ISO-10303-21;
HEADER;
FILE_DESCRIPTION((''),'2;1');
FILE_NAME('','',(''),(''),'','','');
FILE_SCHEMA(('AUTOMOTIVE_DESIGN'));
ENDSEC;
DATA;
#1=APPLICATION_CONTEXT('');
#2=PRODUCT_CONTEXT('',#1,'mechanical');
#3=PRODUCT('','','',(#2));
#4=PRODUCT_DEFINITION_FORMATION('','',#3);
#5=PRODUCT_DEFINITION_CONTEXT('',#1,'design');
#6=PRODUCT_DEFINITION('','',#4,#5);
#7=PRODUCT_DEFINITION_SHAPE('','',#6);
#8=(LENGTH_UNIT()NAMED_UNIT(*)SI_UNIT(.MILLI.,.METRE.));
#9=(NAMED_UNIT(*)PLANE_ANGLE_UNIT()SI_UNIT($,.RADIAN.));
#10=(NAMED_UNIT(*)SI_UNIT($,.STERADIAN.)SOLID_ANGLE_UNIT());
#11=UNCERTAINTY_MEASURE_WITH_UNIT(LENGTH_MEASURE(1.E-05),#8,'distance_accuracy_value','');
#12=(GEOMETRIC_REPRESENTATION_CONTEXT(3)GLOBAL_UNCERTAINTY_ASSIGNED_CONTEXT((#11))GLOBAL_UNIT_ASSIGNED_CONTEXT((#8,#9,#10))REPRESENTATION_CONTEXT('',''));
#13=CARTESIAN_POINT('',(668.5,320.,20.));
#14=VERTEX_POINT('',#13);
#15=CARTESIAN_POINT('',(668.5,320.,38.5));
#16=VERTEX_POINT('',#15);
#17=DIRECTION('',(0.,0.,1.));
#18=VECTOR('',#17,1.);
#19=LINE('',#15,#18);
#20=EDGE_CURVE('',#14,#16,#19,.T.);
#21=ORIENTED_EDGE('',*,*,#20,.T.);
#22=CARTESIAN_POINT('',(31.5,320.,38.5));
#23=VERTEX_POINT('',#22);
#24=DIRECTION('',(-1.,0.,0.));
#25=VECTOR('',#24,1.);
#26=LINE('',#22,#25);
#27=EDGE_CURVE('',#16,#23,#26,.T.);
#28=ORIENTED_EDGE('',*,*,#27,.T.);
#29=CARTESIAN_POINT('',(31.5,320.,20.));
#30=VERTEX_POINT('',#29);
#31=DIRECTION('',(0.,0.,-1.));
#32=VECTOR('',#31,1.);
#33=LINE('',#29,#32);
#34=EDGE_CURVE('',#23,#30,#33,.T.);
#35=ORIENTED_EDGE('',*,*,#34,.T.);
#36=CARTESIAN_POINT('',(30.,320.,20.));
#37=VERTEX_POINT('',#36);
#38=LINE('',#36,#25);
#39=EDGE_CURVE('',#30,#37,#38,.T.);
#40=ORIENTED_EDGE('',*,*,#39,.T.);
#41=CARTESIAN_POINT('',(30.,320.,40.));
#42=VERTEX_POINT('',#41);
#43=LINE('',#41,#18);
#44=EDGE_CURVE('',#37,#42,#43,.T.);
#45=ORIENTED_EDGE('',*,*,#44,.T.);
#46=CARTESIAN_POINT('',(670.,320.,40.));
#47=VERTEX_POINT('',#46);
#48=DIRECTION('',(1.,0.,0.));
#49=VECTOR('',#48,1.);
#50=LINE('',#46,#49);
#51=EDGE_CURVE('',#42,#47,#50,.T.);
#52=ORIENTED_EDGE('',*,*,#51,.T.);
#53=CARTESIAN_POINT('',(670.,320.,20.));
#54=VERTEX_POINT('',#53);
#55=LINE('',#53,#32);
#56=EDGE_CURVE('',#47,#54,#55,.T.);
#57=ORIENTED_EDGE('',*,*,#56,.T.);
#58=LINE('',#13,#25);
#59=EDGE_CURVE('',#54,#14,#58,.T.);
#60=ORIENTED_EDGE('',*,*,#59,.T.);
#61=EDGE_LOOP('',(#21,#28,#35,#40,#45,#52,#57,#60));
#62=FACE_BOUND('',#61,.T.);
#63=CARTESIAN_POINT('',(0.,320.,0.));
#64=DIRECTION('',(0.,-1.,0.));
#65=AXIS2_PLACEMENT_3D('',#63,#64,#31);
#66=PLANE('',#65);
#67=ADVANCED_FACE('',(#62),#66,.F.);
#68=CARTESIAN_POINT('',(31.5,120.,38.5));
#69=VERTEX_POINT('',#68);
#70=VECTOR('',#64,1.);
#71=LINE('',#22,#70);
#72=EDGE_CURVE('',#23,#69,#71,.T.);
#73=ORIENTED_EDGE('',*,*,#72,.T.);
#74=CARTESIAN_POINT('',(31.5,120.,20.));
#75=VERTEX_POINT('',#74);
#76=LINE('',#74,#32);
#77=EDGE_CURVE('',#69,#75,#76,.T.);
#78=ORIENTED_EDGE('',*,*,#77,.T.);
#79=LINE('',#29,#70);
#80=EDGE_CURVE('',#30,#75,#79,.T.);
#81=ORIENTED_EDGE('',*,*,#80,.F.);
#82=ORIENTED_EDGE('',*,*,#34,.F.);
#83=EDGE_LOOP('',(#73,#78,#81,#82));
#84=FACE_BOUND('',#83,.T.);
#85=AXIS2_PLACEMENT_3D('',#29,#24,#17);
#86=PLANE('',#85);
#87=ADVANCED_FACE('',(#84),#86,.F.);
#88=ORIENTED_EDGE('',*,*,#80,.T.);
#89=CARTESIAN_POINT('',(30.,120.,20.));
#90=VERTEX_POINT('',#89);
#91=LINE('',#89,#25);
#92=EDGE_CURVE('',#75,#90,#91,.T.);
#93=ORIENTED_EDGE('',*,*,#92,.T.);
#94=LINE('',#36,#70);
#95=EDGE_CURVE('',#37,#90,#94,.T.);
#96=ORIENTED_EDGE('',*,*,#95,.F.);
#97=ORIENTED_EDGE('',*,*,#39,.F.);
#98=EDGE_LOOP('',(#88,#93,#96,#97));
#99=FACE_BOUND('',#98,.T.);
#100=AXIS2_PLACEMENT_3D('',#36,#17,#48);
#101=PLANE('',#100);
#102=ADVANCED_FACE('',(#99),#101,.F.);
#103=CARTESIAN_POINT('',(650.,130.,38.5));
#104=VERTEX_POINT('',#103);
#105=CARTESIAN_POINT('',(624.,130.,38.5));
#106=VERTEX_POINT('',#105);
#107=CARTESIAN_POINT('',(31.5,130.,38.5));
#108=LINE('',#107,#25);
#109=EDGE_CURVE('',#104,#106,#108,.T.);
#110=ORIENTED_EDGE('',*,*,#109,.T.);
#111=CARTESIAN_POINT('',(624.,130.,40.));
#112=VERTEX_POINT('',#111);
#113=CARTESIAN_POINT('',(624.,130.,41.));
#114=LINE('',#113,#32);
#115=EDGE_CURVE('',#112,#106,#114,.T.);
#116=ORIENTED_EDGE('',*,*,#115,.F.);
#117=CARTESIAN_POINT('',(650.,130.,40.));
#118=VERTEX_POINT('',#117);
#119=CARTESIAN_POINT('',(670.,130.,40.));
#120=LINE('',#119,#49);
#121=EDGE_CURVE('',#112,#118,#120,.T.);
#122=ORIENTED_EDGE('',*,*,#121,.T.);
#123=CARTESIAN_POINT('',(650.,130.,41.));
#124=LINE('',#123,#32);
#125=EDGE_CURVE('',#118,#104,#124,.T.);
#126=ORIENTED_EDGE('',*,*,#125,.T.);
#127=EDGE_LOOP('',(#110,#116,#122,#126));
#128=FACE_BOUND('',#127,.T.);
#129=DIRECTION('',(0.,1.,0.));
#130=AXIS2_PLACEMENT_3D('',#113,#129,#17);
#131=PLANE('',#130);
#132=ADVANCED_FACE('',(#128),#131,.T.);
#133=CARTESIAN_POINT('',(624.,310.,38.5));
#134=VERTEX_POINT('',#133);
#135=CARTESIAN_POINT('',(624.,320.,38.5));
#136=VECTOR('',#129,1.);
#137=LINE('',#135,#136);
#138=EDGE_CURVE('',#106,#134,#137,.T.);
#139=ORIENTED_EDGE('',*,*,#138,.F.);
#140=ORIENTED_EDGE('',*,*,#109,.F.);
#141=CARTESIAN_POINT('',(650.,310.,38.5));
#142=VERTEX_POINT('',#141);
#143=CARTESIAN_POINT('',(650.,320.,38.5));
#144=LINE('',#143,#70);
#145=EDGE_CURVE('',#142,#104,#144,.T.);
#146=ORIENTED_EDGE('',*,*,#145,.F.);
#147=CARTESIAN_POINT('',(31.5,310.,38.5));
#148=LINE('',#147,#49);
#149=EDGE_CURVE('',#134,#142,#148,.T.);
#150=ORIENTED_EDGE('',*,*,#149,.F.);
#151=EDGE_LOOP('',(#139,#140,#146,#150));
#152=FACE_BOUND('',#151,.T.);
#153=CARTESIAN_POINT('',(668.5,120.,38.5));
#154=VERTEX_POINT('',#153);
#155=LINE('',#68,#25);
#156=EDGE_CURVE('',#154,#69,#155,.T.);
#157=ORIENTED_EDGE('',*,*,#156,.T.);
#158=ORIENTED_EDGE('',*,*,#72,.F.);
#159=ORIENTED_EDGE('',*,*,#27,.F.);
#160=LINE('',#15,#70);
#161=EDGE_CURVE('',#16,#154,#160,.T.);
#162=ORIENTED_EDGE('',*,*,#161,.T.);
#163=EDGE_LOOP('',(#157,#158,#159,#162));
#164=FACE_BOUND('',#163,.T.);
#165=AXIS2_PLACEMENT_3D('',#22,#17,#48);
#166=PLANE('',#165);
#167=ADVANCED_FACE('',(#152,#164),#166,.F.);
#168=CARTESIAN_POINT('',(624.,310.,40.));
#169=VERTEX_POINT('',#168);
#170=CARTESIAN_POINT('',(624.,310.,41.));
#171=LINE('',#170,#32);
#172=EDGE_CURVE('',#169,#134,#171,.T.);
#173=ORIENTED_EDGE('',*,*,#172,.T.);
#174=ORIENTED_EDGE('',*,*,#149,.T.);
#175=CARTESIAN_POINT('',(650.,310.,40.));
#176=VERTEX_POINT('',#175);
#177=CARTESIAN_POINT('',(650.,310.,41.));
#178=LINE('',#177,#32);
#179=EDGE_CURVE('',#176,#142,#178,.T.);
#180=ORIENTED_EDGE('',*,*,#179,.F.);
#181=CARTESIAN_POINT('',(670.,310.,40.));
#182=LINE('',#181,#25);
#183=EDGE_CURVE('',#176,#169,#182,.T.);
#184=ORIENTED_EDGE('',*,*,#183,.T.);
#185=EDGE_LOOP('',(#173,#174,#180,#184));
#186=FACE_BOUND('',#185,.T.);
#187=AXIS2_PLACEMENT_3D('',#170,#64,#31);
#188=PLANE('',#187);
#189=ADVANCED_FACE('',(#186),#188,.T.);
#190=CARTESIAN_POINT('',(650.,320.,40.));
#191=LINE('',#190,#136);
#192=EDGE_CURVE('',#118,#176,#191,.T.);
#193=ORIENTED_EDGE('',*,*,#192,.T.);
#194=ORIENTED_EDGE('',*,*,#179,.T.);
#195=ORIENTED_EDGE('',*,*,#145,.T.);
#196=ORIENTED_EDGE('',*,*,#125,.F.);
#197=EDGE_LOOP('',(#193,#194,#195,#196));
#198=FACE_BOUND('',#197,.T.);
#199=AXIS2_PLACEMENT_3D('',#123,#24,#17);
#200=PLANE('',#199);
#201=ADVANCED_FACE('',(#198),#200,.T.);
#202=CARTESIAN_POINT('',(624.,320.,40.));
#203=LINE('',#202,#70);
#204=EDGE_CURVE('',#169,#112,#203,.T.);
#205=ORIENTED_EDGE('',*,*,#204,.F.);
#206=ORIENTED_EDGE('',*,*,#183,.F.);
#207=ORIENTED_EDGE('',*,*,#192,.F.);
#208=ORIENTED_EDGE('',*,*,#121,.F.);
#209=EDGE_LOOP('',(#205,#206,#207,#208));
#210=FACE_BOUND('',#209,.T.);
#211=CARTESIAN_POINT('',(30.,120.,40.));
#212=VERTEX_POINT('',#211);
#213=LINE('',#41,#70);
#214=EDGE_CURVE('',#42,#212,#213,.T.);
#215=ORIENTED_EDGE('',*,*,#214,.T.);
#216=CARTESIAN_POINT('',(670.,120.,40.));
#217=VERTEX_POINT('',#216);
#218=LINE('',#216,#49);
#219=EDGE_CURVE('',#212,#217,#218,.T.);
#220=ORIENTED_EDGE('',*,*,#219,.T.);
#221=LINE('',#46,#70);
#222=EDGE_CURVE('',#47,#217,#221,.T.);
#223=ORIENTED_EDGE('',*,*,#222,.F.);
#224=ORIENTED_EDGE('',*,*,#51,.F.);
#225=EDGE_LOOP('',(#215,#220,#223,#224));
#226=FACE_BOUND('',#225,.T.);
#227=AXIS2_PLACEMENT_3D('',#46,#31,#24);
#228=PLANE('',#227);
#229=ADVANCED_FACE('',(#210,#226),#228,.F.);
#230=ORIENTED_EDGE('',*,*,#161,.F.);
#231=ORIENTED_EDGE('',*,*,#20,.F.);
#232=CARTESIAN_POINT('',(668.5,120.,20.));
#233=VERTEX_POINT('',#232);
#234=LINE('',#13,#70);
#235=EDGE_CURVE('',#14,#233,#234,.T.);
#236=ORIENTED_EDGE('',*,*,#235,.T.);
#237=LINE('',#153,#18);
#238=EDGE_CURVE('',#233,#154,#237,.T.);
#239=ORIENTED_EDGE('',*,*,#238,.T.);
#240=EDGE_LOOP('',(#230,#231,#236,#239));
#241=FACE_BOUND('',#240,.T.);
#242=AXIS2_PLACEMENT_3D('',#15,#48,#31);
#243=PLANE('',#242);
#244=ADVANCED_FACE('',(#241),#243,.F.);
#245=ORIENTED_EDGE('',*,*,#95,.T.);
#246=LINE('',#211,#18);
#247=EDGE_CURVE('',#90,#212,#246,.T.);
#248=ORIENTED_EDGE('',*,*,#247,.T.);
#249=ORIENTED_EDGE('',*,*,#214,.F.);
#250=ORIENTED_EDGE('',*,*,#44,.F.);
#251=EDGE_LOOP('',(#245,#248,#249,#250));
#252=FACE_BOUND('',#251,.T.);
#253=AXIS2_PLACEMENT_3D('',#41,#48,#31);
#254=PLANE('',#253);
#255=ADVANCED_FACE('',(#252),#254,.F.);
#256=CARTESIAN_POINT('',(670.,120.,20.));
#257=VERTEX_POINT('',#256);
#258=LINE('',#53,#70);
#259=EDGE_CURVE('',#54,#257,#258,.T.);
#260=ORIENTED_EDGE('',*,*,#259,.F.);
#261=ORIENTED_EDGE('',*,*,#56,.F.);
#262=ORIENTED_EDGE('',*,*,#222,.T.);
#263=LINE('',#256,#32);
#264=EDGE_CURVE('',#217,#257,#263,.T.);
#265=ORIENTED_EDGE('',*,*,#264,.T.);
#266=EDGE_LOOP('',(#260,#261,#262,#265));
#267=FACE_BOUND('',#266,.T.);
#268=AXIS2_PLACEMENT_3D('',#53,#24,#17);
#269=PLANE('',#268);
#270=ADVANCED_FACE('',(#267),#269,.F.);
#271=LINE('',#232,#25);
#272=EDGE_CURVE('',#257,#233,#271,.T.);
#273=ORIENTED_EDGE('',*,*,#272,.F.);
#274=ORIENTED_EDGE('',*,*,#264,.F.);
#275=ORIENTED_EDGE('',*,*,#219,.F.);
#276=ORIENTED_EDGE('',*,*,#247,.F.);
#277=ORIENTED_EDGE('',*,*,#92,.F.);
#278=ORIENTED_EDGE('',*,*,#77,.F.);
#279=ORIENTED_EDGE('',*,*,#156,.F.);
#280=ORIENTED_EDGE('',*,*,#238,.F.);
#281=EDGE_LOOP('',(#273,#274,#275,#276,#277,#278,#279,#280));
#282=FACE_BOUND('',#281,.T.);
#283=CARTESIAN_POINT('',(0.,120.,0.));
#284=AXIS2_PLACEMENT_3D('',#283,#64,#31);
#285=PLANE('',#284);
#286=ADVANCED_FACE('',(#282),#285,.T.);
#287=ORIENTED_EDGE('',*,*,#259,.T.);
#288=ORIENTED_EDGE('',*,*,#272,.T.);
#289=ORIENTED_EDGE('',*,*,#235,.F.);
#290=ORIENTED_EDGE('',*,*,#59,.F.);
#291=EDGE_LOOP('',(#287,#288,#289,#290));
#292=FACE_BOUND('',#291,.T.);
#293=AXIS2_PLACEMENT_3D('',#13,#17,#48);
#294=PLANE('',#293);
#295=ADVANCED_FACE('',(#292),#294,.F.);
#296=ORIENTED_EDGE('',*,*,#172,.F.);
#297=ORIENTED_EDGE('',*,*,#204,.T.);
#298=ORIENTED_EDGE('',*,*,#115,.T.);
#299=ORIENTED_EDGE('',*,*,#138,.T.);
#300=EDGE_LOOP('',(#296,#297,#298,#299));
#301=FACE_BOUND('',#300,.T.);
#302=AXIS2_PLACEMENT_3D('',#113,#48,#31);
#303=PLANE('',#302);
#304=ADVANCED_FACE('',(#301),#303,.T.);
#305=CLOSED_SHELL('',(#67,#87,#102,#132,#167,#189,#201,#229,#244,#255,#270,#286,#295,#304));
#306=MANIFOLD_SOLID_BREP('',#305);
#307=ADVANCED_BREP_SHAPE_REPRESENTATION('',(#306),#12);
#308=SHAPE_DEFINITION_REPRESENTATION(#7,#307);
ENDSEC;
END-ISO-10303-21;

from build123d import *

# Parameters (mm, degrees)
OVEN_PANO_KAPAGI_KAPAK_1_START = 120
OVEN_PANO_KAPAGI_KAPAK_1_DEPTH = 200
OVEN_PANO_KAPAGI_KAPAK_2_START = 27
SKETCH2_W                      = 26
SKETCH2_H                      = 180
OVEN_PANO_KAPAGI_KAPAK_2_DEPTH = 14


with BuildPart() as part:
    # Sketch1 → OVEN_pano_kapagi_kapak_1 (new body)
    with BuildSketch(Plane(origin=(0, 0, 0), x_dir=(1, 0, 0), z_dir=(0, 1, 0)).offset(OVEN_PANO_KAPAGI_KAPAK_1_START)):
        Polygon((30, -40), (30, -20), (31.5, -20), (31.5, -38.5), (668.5, -38.5), (668.5, -20), (670, -20), (670, -40), align=None)
    extrude(amount=OVEN_PANO_KAPAGI_KAPAK_1_DEPTH)

    # Sketch2 → OVEN_pano_kapagi_kapak_2 (cut)
    with BuildSketch(Plane.XY.offset(OVEN_PANO_KAPAGI_KAPAK_2_START)):
        with Locations((637, 220)):
            Rectangle(SKETCH2_W, SKETCH2_H)
    extrude(amount=OVEN_PANO_KAPAGI_KAPAK_2_DEPTH, mode=Mode.SUBTRACT)


solid = part.part
